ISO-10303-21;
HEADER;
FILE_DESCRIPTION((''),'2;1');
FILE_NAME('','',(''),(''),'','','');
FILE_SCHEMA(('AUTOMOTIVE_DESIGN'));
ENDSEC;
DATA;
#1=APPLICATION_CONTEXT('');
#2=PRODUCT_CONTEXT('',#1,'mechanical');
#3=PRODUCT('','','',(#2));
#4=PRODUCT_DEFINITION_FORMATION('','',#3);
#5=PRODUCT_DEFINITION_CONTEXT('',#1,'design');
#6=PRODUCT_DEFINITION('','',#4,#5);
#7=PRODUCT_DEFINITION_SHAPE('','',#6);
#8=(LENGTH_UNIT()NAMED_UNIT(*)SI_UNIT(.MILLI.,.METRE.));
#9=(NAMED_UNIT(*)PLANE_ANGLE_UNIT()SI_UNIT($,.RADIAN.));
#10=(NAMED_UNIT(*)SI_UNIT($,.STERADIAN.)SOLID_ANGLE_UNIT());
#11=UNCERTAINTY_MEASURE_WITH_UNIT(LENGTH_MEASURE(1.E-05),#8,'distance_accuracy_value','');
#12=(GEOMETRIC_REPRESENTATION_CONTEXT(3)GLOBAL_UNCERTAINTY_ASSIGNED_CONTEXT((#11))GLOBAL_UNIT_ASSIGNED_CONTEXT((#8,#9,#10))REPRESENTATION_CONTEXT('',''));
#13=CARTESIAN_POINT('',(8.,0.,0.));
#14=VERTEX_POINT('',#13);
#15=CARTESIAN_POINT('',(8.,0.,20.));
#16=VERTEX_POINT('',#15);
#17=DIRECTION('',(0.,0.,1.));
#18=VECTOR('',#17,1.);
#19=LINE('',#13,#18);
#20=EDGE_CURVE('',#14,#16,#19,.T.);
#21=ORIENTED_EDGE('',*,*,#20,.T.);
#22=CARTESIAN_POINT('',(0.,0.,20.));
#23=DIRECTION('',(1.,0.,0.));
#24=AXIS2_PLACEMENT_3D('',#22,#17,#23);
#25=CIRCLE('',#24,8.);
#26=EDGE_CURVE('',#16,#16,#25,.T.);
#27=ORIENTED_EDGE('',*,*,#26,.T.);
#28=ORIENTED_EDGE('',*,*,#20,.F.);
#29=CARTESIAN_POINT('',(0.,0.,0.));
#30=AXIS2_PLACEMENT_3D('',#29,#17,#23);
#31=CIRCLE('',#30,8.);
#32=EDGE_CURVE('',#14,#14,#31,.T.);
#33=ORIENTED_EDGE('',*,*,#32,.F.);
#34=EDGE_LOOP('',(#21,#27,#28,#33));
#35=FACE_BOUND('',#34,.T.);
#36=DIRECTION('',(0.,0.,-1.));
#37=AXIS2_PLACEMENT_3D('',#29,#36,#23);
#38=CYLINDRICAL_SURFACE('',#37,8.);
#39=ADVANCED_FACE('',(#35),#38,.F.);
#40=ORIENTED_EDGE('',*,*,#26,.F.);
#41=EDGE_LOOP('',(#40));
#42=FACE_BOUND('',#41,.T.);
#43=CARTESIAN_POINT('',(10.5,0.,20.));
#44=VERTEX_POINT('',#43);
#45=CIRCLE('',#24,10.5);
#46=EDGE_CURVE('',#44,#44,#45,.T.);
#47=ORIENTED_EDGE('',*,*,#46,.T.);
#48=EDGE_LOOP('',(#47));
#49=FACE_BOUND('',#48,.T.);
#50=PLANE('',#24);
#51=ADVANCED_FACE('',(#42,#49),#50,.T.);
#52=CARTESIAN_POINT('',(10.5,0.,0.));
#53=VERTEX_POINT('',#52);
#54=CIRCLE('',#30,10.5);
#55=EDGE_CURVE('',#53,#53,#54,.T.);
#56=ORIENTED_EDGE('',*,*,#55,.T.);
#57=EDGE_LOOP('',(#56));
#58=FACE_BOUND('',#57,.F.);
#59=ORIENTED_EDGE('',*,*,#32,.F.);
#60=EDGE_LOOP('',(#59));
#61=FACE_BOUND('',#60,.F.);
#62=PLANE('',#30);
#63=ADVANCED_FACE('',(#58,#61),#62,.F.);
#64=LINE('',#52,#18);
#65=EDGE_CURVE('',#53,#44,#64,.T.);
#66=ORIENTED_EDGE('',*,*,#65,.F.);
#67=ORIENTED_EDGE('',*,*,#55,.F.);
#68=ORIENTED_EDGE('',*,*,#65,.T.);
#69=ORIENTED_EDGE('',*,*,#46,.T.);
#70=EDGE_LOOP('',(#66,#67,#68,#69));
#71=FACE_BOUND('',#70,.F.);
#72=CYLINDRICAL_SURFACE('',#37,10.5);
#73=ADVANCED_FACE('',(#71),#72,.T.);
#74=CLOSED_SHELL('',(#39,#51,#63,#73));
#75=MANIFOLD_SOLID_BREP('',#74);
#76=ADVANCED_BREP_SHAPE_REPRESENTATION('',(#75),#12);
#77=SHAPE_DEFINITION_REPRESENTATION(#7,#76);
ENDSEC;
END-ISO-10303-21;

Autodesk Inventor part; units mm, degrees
ref_plane "YZ Plane" through (0, 0, 0) normal (1, 0, 0) x (0, 1, 0)
ref_plane "XZ Plane" through (0, 0, 0) normal (0, 1, 0) x (-1, 0, 0)
ref_plane "XY Plane" through (0, 0, 0) normal (0, 0, 1) x (1, 0, 0)
sketch "Sketch1" plane through (0, 0, 0) normal (0, 0, 1) x (1, 0, 0)
  circle A0 centre (0, 0) radius 10.5
  circle A1 centre (0, 0) radius 8
  dimension "d0" = 21
  dimension "d1" = 16
extrude "Extrusion1" add sketch "Sketch1" along normal blind 20
properties part number "ANP dummy pipe nippel" material "Stainless Steel"
